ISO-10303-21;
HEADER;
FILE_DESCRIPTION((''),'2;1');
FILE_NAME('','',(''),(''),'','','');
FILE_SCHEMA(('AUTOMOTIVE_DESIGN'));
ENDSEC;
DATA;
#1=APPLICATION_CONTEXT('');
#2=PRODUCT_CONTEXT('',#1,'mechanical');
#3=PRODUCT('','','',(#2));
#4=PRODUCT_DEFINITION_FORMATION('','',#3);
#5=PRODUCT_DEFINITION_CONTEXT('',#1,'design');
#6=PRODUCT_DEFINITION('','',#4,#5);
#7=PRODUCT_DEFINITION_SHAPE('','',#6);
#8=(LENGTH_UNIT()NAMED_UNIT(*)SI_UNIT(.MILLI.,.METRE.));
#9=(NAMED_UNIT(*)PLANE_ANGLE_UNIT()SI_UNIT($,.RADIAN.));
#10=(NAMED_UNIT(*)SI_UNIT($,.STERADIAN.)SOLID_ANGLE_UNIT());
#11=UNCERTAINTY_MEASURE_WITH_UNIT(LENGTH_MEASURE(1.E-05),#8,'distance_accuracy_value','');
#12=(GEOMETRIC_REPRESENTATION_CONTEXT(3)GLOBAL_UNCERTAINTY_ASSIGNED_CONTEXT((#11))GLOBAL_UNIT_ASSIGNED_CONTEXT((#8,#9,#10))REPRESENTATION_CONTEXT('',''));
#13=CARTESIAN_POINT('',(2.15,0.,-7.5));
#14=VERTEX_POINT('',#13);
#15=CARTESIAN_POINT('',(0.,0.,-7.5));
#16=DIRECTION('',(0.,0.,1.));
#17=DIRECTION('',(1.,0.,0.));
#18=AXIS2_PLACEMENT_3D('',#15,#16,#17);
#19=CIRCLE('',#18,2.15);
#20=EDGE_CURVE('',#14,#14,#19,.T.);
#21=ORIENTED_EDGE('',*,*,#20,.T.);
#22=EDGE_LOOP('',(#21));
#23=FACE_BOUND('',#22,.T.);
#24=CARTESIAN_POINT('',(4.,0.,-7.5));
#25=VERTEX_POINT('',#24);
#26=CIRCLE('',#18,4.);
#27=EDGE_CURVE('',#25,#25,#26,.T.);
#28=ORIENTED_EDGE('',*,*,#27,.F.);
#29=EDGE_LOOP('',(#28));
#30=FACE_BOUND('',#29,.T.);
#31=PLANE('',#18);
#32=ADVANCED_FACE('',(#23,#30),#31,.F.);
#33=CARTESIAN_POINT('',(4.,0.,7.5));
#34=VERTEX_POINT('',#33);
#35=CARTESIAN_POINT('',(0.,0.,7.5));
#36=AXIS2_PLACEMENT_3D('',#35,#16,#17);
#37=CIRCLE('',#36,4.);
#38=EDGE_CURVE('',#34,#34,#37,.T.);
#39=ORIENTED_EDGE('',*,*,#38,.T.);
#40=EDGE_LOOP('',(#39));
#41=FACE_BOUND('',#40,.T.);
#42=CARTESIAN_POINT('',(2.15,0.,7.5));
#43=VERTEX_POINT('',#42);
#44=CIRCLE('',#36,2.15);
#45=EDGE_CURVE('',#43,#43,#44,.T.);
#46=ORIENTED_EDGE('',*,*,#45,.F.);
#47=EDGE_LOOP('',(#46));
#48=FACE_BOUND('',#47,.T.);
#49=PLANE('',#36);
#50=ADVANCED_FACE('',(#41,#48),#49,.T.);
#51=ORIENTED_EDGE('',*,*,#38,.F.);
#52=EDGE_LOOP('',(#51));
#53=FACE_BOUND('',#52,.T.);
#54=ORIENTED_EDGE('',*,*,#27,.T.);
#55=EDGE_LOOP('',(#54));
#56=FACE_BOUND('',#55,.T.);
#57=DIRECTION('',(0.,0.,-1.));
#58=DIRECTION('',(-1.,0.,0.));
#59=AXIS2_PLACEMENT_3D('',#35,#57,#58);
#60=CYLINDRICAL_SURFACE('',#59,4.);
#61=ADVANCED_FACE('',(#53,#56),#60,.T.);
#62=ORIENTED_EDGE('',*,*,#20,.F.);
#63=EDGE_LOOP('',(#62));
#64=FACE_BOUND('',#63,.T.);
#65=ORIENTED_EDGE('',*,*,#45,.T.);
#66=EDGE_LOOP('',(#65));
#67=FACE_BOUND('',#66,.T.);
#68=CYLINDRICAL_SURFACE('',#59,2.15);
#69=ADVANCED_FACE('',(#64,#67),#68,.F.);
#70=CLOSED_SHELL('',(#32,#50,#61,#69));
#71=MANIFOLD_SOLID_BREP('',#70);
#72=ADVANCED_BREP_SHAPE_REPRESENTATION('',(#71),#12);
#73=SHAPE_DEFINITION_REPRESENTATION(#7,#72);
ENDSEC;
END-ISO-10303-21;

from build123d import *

# Parameters (mm, degrees)
SKETCH_1_R      = 4
SKETCH_1_R_2    = 2.15
EXTRUDE_1_DEPTH = 7.5


with BuildPart() as part:
    # Эскиз1 → Бобышка-Вытянуть1 (new, symmetric)
    with BuildSketch(Plane.XY):
        Circle(SKETCH_1_R)
        Circle(SKETCH_1_R_2, mode=Mode.SUBTRACT)
    extrude(amount=EXTRUDE_1_DEPTH, both=True)


solid = part.part
